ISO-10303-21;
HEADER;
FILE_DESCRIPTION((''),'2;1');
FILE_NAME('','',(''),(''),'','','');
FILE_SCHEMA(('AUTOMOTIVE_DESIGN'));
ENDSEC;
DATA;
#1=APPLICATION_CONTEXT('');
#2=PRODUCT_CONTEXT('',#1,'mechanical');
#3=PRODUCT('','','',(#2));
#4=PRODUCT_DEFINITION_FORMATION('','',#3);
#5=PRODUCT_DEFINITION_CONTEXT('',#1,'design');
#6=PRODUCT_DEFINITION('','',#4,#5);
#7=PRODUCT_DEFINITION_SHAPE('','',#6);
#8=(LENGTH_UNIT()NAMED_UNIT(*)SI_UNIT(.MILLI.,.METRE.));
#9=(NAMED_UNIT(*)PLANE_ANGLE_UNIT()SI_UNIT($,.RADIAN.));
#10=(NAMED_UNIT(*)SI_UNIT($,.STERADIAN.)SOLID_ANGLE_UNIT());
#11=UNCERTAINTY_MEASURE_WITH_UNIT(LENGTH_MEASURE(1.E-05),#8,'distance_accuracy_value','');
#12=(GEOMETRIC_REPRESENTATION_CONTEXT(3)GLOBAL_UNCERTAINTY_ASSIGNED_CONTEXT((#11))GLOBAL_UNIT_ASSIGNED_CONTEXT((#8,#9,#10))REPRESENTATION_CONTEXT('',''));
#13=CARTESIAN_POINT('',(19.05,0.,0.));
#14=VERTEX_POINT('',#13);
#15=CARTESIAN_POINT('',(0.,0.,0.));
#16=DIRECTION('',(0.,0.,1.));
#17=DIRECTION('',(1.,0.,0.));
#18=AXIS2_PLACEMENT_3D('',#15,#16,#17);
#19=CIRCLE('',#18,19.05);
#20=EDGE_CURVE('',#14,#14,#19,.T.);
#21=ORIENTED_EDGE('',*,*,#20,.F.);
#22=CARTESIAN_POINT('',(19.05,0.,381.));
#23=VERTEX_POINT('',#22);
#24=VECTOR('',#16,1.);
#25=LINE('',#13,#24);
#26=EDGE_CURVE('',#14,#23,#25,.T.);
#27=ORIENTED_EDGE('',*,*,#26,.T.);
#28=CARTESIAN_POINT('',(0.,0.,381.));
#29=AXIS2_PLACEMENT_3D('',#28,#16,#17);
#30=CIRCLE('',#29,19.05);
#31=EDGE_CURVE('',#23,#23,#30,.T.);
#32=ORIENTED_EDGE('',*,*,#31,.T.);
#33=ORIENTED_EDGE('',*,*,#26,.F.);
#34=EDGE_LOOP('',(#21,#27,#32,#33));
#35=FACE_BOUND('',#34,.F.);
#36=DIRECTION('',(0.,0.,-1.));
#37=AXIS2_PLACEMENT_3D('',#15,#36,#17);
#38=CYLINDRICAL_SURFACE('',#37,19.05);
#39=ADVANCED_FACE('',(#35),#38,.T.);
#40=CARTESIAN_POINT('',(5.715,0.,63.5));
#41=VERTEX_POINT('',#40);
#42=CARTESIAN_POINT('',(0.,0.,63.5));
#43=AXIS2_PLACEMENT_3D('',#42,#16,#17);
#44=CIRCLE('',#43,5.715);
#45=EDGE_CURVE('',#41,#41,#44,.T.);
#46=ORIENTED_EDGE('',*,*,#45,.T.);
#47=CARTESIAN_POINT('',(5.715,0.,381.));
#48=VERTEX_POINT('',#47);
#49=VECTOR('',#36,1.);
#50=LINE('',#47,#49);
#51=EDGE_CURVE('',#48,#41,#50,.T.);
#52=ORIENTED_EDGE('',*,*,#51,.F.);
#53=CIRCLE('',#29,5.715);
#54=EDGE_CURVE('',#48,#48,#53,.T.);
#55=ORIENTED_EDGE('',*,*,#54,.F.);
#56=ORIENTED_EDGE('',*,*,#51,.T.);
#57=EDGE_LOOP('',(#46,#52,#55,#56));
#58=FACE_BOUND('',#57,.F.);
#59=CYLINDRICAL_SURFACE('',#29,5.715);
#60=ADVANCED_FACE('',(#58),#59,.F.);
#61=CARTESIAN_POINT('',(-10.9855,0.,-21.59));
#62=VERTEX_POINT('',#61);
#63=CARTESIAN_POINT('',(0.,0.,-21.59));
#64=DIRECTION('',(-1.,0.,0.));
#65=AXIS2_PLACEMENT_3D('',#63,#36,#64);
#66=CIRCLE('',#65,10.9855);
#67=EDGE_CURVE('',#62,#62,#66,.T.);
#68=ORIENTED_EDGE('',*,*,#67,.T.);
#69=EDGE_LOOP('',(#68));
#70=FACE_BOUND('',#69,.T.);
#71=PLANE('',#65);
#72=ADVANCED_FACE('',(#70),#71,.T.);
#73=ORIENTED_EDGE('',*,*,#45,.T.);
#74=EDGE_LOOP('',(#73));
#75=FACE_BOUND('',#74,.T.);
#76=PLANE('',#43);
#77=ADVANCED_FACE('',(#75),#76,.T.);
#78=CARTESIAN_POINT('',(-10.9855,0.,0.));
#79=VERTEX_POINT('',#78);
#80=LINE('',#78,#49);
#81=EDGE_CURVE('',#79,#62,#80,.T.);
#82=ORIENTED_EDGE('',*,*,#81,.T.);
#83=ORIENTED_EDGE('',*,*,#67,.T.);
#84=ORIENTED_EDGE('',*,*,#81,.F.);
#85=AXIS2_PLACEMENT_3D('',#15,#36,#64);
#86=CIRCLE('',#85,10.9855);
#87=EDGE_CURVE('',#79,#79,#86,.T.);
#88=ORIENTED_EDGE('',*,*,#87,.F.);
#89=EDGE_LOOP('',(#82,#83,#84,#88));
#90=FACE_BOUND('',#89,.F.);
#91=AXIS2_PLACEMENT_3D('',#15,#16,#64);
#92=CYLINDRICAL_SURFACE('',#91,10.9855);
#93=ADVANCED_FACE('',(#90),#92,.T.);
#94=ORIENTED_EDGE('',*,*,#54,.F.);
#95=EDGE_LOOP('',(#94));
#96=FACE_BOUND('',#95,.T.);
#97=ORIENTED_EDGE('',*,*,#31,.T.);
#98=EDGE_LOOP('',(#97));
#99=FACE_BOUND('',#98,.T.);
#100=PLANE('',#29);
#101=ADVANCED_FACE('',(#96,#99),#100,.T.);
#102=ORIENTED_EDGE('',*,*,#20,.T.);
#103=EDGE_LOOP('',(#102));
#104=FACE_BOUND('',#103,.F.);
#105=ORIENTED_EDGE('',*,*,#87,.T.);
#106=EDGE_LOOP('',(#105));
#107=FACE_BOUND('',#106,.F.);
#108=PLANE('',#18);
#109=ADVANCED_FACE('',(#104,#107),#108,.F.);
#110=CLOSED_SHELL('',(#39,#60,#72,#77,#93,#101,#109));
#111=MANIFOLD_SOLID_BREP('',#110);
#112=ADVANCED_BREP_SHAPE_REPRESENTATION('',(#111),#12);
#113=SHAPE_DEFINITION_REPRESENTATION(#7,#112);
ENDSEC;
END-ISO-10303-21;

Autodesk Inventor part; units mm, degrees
ref_plane "YZ Plane" through (0, 0, 0) normal (1, 0, 0) x (0, 1, 0)
ref_plane "XZ Plane" through (0, 0, 0) normal (0, 1, 0) x (-1, 0, 0)
ref_plane "XY Plane" through (0, 0, 0) normal (0, 0, 1) x (1, 0, 0)
sketch "Sketch1" plane through (0, 0, 0) normal (0, 0, 1) x (1, 0, 0)
  circle A0 centre (0, 0) radius 19.05
  dimension "d0" = 38.1
extrude "Extrusion1" add sketch "Sketch1" along normal blind 381
sketch "Sketch2" plane through (0, 0, 381) normal (0, 0, 1) x (1, 0, 0)
  circle A0 centre (0, 0) radius 5.715
  dimension "d3" = 11.43
extrude "Extrusion2" cut sketch "Sketch2" against normal blind 317.5
sketch "Sketch3" plane through (0, 0, 0) normal (0, 0, -1) x (-1, 0, 0)
  circle A0 centre (0, 0) radius 10.9855
  dimension "d6" = 21.971
extrude "Extrusion3" add sketch "Sketch3" along normal blind 21.59
thread "Thread1" size "M22x1.5" class "6g" standard "ANSI Metric M Profile" full length
properties part number "Cylinder 1"
